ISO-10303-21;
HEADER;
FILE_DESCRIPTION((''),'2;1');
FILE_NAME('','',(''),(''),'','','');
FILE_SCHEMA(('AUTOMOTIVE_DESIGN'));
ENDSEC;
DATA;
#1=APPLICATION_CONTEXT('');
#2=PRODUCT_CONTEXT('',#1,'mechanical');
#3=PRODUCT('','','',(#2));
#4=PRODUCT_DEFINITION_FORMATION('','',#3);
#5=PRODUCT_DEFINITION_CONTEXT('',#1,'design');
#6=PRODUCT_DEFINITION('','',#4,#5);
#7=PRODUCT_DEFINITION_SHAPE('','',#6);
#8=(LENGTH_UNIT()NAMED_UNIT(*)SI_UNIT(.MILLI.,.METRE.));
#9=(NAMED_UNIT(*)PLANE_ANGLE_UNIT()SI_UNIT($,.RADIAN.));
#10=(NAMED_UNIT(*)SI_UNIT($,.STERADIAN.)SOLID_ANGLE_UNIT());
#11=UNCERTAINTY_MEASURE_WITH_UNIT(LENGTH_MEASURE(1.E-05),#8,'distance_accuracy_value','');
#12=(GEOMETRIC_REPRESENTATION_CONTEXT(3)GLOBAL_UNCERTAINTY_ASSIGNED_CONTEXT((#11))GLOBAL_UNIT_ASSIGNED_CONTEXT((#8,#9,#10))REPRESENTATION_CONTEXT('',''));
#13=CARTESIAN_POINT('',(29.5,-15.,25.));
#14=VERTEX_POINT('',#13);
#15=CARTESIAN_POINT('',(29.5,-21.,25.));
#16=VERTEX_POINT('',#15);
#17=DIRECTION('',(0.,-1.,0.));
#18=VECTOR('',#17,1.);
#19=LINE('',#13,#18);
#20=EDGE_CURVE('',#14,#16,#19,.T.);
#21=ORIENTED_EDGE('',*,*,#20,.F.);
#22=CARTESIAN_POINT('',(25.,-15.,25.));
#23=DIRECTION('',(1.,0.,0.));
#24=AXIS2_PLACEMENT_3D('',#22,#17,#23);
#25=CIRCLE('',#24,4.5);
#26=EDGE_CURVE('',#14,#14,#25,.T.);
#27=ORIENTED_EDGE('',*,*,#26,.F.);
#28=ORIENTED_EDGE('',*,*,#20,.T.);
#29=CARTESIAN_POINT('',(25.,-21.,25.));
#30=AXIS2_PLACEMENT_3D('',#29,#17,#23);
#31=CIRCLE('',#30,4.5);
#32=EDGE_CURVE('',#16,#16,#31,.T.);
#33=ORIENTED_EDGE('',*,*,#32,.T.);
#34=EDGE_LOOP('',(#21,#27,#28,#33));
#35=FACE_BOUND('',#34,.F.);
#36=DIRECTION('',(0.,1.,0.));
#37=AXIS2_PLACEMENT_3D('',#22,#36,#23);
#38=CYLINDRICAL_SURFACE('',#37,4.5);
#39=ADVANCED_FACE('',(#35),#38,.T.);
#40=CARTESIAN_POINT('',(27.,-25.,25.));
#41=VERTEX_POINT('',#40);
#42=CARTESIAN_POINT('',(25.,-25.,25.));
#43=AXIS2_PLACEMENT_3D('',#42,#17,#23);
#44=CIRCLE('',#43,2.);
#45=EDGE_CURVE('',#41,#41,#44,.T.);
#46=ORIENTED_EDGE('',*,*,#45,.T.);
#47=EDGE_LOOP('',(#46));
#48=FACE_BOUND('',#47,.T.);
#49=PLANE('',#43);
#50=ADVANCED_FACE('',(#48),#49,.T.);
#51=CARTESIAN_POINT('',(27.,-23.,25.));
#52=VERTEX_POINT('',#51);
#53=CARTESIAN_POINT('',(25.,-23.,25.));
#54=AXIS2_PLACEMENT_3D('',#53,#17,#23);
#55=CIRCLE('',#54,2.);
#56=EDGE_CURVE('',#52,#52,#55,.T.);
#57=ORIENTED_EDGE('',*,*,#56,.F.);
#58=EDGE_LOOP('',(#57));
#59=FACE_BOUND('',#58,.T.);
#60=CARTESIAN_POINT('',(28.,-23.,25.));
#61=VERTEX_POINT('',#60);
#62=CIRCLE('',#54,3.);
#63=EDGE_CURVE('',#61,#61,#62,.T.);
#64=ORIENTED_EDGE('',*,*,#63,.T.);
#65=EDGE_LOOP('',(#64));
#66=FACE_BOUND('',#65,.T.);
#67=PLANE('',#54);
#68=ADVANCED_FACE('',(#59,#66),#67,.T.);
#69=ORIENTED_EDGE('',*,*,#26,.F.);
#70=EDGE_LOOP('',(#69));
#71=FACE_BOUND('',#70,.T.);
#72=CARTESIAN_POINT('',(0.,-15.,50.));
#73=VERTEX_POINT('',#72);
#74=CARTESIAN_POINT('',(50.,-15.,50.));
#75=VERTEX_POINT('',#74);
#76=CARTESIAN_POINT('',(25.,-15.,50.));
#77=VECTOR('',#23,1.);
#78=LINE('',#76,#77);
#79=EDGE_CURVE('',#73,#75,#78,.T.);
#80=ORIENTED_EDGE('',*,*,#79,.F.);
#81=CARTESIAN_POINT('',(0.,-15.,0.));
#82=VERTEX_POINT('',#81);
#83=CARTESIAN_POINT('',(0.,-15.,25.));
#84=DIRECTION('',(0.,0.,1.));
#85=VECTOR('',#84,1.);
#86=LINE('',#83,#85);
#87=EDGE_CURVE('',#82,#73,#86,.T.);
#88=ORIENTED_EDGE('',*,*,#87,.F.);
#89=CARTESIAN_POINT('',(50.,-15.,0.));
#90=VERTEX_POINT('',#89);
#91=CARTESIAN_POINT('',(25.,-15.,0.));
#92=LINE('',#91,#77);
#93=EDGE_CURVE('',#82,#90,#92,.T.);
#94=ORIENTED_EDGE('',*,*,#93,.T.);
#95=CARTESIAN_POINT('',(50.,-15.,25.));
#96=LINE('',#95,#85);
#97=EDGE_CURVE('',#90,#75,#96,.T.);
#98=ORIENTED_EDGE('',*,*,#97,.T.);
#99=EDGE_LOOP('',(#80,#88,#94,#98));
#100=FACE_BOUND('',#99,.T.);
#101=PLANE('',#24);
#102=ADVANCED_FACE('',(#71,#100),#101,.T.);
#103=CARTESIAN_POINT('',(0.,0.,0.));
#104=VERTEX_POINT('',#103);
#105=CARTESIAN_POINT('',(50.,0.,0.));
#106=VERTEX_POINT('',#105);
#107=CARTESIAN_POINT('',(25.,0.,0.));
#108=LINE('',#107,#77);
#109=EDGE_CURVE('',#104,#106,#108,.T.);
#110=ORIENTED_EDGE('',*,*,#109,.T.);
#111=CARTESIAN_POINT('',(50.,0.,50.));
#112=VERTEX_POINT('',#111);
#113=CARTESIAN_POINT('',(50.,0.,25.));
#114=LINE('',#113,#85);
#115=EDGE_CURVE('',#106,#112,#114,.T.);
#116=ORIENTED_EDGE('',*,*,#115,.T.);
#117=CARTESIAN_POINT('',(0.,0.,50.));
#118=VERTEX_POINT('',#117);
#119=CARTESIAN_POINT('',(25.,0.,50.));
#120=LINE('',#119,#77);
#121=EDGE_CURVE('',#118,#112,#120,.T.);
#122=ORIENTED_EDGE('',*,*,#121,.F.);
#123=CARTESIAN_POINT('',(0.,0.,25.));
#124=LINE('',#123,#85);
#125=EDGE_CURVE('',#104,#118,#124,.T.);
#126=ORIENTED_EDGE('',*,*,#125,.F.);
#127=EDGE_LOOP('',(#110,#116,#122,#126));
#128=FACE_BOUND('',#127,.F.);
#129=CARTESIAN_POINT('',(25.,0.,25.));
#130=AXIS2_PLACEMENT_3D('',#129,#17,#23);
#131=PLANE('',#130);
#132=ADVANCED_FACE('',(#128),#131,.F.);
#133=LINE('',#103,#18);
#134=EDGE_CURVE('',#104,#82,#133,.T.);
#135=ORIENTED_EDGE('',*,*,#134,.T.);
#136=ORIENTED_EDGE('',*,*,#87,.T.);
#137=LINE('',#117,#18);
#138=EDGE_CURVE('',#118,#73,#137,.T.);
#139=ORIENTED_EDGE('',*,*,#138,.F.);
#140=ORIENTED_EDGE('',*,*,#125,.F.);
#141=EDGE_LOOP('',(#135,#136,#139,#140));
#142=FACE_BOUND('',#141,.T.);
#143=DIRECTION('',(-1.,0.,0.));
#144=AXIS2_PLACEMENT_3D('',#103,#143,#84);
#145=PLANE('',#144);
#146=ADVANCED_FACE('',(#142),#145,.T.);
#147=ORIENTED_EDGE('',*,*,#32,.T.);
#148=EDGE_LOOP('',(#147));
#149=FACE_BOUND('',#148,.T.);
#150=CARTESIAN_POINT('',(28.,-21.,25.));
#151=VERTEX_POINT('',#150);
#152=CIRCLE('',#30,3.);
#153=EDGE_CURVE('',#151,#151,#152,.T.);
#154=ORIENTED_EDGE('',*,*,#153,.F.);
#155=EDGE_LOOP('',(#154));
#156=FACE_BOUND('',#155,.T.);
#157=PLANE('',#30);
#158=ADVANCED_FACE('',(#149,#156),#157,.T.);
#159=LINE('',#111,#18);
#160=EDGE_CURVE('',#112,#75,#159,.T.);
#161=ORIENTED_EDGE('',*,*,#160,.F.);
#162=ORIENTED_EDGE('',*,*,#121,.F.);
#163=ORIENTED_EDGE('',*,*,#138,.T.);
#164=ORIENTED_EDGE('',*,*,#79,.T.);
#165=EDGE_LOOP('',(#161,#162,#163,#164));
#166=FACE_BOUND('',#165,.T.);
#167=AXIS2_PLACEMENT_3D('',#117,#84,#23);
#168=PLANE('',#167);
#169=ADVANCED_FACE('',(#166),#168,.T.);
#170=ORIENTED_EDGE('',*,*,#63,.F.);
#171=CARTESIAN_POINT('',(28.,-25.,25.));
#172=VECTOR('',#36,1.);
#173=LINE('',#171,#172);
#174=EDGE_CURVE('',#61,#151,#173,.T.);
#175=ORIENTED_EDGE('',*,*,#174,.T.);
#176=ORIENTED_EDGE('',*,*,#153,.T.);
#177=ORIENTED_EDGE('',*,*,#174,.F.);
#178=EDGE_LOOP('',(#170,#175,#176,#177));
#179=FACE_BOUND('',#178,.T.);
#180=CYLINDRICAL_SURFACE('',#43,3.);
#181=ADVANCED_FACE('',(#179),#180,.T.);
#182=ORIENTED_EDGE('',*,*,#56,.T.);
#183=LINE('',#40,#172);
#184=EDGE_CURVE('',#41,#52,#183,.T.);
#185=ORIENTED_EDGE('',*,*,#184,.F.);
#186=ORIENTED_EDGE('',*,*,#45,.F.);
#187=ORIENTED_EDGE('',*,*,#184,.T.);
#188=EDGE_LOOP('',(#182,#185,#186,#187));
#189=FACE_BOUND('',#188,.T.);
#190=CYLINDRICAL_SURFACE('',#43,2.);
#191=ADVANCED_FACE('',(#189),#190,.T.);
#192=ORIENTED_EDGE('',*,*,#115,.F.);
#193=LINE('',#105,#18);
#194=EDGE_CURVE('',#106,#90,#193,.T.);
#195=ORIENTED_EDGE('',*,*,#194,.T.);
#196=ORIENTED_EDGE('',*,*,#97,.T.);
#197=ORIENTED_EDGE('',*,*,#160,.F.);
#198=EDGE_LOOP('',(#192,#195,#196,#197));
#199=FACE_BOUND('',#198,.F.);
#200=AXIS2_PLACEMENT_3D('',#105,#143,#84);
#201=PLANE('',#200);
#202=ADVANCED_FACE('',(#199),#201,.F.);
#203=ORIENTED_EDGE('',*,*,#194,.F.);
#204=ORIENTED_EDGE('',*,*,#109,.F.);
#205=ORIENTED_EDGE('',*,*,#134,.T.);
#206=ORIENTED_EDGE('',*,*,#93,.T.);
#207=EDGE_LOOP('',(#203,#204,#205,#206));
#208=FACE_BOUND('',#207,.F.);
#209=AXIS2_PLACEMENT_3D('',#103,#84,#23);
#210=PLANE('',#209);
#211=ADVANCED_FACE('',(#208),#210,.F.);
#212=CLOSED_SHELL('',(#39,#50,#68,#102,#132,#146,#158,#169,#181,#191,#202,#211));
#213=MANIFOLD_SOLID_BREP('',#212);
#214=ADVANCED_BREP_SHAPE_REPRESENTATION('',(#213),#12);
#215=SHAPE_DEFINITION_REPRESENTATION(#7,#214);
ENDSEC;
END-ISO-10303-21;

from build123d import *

# Parameters (mm, degrees)
F0_W     = 50
F0_H     = 50
F1_DEPTH = 15
F2_R     = 4.5
F3_DEPTH = 10
F4_R     = 4.5
F4_R_2   = 3
F5_DEPTH = 4
F6_R     = 3
F6_R_2   = 2
F7_DEPTH = 2


with BuildPart() as f1:
    # F0 (on Front) → F1 (new body)
    with BuildSketch(Plane.XZ):
        with Locations((25, 25)):
            Rectangle(F0_W, F0_H)
    extrude(amount=F1_DEPTH)

    # F2 (on face) → F3 (join)
    with BuildSketch(Plane.XZ.offset(15)):
        with Locations((25, 25)):
            Circle(F2_R)
    extrude(amount=F3_DEPTH)

    # F4 (on face) → F5 (cut)
    with BuildSketch(Plane.XZ.offset(25)):
        with Locations((25, 25)):
            Circle(F4_R)
        with Locations((25, 25)):
            Circle(F4_R_2, mode=Mode.SUBTRACT)
    extrude(amount=-F5_DEPTH, mode=Mode.SUBTRACT)

    # F6 (on face) → F7 (cut)
    with BuildSketch(Plane.XZ.offset(25)):
        with Locations((25, 25)):
            Circle(F6_R)
        with Locations((25, 25)):
            Circle(F6_R_2, mode=Mode.SUBTRACT)
    extrude(amount=-F7_DEPTH, mode=Mode.SUBTRACT)


solid = f1.part
